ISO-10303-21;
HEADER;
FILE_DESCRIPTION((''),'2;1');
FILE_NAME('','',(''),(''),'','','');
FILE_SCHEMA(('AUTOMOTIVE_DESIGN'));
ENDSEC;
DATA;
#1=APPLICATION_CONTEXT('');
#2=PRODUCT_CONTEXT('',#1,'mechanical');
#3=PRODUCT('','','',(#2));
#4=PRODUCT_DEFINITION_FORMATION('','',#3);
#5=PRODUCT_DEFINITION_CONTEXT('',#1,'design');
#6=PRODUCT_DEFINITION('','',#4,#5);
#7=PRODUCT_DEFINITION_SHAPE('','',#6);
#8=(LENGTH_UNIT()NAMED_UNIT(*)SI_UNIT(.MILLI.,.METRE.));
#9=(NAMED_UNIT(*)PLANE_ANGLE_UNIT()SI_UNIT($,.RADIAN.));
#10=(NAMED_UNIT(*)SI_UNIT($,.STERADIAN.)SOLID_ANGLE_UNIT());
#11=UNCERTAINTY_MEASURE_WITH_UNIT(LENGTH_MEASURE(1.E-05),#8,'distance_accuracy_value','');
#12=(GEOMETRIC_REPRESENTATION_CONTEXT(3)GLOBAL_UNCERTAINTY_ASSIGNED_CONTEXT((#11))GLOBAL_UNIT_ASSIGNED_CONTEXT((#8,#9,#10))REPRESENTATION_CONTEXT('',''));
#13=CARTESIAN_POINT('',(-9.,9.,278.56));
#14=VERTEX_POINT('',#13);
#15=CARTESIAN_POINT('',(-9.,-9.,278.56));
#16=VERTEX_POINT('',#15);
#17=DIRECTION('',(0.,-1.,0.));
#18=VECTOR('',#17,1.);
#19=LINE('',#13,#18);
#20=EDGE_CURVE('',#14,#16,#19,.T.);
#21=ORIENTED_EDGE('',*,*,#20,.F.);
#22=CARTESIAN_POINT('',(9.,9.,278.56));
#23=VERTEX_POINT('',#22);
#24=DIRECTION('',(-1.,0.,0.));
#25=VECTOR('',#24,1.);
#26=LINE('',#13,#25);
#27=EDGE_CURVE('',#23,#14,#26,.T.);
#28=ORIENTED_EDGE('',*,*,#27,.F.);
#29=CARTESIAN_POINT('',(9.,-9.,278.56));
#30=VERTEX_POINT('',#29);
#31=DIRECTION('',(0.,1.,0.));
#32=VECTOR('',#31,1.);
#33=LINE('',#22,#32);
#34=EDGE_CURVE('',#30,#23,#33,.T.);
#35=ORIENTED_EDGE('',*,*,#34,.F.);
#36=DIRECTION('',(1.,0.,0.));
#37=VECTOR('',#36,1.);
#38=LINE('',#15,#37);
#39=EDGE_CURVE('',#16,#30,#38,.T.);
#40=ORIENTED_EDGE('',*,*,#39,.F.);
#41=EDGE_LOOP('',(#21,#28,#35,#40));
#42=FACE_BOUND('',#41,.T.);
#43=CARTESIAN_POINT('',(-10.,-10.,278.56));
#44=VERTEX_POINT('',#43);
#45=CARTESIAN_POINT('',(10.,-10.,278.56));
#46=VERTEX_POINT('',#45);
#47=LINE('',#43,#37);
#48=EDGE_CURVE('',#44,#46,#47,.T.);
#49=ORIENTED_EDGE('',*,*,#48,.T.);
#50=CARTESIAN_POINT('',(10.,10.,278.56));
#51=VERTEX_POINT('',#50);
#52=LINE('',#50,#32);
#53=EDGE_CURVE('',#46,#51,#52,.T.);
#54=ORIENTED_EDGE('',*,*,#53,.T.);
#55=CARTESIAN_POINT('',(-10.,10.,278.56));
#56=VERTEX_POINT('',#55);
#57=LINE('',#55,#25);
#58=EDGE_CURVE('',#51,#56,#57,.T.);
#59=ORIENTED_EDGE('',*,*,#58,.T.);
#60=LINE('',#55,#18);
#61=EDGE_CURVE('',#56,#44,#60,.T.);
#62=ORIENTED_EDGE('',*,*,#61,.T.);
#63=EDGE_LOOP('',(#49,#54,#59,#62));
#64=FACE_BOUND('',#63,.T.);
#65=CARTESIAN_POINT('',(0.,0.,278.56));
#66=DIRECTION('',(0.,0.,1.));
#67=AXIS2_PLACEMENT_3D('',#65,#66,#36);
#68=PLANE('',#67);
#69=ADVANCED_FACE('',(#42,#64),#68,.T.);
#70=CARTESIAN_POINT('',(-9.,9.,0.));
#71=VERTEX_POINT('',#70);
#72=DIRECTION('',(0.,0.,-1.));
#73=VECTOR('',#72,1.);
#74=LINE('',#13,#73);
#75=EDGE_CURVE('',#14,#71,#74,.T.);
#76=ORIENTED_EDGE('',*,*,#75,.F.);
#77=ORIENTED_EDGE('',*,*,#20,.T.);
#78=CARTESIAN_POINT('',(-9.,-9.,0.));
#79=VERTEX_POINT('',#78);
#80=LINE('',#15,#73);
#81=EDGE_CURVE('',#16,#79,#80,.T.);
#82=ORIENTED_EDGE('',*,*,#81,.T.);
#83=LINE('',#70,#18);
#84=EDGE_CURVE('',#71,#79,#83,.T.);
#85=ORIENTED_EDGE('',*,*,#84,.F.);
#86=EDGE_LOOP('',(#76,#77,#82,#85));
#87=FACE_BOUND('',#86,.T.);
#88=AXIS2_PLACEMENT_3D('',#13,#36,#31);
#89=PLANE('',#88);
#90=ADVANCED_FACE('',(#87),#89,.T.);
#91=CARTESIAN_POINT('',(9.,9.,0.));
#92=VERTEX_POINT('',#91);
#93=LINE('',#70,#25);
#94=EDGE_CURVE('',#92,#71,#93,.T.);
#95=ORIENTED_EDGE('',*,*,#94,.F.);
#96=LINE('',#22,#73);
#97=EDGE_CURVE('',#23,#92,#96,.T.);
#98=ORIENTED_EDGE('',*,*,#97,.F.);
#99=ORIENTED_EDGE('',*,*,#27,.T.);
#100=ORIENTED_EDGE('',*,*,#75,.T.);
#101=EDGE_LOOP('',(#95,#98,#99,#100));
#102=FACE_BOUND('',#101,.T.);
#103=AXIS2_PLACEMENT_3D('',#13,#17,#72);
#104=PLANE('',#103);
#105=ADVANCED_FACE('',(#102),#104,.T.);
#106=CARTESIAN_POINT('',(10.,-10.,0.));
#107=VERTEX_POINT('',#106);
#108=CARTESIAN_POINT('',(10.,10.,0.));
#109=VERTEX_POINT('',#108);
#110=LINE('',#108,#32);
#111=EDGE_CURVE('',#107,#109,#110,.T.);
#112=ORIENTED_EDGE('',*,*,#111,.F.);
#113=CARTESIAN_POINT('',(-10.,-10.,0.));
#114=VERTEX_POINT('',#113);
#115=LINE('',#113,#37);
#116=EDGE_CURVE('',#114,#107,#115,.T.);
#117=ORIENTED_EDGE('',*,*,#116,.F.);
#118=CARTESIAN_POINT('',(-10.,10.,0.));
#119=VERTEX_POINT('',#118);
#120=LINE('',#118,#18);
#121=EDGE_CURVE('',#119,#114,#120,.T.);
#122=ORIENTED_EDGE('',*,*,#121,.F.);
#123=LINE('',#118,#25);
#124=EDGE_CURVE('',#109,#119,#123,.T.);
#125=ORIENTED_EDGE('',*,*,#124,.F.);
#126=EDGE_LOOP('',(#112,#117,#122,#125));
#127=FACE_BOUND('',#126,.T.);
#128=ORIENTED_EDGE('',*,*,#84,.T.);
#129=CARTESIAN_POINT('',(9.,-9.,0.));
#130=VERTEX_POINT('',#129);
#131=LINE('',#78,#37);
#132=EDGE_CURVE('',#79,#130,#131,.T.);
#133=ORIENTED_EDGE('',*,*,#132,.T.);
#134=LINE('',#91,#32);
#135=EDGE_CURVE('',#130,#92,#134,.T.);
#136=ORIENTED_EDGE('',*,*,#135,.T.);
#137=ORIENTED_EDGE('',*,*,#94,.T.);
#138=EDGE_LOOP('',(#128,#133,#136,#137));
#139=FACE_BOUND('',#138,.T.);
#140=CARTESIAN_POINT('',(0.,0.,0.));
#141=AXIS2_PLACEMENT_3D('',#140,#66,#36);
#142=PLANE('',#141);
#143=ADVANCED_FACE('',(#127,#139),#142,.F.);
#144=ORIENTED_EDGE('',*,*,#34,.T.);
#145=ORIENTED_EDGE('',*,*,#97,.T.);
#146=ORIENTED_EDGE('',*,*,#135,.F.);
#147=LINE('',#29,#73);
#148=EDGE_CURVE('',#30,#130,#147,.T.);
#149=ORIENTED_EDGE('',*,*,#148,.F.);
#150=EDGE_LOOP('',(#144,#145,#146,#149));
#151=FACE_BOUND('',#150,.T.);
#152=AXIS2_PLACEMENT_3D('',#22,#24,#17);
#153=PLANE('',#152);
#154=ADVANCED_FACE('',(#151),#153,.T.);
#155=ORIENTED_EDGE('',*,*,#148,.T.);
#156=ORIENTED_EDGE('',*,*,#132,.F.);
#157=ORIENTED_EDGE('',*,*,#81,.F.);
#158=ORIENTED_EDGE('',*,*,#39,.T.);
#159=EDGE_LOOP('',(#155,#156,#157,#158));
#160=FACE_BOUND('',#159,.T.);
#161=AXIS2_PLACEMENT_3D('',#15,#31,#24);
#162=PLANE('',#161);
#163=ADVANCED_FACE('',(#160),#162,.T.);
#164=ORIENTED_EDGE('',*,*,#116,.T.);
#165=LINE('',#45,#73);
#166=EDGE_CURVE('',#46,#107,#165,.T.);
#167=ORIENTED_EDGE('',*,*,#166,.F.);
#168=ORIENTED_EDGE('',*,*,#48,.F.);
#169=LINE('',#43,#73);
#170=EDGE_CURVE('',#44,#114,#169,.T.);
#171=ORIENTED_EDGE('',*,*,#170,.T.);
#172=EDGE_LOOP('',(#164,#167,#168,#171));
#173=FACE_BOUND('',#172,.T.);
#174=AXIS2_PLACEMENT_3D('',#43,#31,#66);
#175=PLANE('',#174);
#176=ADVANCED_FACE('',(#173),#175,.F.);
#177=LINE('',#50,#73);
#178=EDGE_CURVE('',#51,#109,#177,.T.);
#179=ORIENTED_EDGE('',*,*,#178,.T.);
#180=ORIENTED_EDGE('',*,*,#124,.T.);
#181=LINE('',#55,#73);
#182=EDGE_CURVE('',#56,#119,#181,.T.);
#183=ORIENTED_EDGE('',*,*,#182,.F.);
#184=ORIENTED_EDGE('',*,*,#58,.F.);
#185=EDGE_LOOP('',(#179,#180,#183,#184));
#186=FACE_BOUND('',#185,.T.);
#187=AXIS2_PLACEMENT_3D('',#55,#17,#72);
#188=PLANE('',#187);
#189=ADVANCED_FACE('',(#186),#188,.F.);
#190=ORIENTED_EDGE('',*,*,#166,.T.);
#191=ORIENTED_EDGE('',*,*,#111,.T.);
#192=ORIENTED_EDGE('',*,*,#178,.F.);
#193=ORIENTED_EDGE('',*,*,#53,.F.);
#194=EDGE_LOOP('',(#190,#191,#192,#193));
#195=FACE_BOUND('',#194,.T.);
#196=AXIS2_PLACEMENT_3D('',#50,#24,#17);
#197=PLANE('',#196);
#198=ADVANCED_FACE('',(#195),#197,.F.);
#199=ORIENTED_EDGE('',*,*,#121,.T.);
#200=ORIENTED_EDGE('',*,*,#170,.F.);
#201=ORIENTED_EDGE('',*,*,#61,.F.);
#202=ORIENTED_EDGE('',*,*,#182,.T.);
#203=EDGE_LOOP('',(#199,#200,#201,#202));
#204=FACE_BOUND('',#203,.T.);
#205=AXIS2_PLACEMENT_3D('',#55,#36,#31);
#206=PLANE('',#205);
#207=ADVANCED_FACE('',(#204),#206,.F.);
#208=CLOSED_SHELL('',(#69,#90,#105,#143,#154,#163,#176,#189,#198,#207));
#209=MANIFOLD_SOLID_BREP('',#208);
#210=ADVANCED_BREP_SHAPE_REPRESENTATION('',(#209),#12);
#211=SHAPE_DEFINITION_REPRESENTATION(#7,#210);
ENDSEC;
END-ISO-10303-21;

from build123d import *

# Parameters (mm, degrees)
SKETCH_1_W      = 20
SKETCH_1_H      = 20
SKETCH_1_W_2    = 18
SKETCH_1_H_2    = 18
EXTRUDE_1_DEPTH = 278.56


with BuildPart() as part:
    # 草图1 → 凸台-拉伸1 (new body)
    with BuildSketch(Plane.XY):
        Rectangle(SKETCH_1_W, SKETCH_1_H)
        Rectangle(SKETCH_1_W_2, SKETCH_1_H_2, mode=Mode.SUBTRACT)
    extrude(amount=EXTRUDE_1_DEPTH)


solid = part.part
